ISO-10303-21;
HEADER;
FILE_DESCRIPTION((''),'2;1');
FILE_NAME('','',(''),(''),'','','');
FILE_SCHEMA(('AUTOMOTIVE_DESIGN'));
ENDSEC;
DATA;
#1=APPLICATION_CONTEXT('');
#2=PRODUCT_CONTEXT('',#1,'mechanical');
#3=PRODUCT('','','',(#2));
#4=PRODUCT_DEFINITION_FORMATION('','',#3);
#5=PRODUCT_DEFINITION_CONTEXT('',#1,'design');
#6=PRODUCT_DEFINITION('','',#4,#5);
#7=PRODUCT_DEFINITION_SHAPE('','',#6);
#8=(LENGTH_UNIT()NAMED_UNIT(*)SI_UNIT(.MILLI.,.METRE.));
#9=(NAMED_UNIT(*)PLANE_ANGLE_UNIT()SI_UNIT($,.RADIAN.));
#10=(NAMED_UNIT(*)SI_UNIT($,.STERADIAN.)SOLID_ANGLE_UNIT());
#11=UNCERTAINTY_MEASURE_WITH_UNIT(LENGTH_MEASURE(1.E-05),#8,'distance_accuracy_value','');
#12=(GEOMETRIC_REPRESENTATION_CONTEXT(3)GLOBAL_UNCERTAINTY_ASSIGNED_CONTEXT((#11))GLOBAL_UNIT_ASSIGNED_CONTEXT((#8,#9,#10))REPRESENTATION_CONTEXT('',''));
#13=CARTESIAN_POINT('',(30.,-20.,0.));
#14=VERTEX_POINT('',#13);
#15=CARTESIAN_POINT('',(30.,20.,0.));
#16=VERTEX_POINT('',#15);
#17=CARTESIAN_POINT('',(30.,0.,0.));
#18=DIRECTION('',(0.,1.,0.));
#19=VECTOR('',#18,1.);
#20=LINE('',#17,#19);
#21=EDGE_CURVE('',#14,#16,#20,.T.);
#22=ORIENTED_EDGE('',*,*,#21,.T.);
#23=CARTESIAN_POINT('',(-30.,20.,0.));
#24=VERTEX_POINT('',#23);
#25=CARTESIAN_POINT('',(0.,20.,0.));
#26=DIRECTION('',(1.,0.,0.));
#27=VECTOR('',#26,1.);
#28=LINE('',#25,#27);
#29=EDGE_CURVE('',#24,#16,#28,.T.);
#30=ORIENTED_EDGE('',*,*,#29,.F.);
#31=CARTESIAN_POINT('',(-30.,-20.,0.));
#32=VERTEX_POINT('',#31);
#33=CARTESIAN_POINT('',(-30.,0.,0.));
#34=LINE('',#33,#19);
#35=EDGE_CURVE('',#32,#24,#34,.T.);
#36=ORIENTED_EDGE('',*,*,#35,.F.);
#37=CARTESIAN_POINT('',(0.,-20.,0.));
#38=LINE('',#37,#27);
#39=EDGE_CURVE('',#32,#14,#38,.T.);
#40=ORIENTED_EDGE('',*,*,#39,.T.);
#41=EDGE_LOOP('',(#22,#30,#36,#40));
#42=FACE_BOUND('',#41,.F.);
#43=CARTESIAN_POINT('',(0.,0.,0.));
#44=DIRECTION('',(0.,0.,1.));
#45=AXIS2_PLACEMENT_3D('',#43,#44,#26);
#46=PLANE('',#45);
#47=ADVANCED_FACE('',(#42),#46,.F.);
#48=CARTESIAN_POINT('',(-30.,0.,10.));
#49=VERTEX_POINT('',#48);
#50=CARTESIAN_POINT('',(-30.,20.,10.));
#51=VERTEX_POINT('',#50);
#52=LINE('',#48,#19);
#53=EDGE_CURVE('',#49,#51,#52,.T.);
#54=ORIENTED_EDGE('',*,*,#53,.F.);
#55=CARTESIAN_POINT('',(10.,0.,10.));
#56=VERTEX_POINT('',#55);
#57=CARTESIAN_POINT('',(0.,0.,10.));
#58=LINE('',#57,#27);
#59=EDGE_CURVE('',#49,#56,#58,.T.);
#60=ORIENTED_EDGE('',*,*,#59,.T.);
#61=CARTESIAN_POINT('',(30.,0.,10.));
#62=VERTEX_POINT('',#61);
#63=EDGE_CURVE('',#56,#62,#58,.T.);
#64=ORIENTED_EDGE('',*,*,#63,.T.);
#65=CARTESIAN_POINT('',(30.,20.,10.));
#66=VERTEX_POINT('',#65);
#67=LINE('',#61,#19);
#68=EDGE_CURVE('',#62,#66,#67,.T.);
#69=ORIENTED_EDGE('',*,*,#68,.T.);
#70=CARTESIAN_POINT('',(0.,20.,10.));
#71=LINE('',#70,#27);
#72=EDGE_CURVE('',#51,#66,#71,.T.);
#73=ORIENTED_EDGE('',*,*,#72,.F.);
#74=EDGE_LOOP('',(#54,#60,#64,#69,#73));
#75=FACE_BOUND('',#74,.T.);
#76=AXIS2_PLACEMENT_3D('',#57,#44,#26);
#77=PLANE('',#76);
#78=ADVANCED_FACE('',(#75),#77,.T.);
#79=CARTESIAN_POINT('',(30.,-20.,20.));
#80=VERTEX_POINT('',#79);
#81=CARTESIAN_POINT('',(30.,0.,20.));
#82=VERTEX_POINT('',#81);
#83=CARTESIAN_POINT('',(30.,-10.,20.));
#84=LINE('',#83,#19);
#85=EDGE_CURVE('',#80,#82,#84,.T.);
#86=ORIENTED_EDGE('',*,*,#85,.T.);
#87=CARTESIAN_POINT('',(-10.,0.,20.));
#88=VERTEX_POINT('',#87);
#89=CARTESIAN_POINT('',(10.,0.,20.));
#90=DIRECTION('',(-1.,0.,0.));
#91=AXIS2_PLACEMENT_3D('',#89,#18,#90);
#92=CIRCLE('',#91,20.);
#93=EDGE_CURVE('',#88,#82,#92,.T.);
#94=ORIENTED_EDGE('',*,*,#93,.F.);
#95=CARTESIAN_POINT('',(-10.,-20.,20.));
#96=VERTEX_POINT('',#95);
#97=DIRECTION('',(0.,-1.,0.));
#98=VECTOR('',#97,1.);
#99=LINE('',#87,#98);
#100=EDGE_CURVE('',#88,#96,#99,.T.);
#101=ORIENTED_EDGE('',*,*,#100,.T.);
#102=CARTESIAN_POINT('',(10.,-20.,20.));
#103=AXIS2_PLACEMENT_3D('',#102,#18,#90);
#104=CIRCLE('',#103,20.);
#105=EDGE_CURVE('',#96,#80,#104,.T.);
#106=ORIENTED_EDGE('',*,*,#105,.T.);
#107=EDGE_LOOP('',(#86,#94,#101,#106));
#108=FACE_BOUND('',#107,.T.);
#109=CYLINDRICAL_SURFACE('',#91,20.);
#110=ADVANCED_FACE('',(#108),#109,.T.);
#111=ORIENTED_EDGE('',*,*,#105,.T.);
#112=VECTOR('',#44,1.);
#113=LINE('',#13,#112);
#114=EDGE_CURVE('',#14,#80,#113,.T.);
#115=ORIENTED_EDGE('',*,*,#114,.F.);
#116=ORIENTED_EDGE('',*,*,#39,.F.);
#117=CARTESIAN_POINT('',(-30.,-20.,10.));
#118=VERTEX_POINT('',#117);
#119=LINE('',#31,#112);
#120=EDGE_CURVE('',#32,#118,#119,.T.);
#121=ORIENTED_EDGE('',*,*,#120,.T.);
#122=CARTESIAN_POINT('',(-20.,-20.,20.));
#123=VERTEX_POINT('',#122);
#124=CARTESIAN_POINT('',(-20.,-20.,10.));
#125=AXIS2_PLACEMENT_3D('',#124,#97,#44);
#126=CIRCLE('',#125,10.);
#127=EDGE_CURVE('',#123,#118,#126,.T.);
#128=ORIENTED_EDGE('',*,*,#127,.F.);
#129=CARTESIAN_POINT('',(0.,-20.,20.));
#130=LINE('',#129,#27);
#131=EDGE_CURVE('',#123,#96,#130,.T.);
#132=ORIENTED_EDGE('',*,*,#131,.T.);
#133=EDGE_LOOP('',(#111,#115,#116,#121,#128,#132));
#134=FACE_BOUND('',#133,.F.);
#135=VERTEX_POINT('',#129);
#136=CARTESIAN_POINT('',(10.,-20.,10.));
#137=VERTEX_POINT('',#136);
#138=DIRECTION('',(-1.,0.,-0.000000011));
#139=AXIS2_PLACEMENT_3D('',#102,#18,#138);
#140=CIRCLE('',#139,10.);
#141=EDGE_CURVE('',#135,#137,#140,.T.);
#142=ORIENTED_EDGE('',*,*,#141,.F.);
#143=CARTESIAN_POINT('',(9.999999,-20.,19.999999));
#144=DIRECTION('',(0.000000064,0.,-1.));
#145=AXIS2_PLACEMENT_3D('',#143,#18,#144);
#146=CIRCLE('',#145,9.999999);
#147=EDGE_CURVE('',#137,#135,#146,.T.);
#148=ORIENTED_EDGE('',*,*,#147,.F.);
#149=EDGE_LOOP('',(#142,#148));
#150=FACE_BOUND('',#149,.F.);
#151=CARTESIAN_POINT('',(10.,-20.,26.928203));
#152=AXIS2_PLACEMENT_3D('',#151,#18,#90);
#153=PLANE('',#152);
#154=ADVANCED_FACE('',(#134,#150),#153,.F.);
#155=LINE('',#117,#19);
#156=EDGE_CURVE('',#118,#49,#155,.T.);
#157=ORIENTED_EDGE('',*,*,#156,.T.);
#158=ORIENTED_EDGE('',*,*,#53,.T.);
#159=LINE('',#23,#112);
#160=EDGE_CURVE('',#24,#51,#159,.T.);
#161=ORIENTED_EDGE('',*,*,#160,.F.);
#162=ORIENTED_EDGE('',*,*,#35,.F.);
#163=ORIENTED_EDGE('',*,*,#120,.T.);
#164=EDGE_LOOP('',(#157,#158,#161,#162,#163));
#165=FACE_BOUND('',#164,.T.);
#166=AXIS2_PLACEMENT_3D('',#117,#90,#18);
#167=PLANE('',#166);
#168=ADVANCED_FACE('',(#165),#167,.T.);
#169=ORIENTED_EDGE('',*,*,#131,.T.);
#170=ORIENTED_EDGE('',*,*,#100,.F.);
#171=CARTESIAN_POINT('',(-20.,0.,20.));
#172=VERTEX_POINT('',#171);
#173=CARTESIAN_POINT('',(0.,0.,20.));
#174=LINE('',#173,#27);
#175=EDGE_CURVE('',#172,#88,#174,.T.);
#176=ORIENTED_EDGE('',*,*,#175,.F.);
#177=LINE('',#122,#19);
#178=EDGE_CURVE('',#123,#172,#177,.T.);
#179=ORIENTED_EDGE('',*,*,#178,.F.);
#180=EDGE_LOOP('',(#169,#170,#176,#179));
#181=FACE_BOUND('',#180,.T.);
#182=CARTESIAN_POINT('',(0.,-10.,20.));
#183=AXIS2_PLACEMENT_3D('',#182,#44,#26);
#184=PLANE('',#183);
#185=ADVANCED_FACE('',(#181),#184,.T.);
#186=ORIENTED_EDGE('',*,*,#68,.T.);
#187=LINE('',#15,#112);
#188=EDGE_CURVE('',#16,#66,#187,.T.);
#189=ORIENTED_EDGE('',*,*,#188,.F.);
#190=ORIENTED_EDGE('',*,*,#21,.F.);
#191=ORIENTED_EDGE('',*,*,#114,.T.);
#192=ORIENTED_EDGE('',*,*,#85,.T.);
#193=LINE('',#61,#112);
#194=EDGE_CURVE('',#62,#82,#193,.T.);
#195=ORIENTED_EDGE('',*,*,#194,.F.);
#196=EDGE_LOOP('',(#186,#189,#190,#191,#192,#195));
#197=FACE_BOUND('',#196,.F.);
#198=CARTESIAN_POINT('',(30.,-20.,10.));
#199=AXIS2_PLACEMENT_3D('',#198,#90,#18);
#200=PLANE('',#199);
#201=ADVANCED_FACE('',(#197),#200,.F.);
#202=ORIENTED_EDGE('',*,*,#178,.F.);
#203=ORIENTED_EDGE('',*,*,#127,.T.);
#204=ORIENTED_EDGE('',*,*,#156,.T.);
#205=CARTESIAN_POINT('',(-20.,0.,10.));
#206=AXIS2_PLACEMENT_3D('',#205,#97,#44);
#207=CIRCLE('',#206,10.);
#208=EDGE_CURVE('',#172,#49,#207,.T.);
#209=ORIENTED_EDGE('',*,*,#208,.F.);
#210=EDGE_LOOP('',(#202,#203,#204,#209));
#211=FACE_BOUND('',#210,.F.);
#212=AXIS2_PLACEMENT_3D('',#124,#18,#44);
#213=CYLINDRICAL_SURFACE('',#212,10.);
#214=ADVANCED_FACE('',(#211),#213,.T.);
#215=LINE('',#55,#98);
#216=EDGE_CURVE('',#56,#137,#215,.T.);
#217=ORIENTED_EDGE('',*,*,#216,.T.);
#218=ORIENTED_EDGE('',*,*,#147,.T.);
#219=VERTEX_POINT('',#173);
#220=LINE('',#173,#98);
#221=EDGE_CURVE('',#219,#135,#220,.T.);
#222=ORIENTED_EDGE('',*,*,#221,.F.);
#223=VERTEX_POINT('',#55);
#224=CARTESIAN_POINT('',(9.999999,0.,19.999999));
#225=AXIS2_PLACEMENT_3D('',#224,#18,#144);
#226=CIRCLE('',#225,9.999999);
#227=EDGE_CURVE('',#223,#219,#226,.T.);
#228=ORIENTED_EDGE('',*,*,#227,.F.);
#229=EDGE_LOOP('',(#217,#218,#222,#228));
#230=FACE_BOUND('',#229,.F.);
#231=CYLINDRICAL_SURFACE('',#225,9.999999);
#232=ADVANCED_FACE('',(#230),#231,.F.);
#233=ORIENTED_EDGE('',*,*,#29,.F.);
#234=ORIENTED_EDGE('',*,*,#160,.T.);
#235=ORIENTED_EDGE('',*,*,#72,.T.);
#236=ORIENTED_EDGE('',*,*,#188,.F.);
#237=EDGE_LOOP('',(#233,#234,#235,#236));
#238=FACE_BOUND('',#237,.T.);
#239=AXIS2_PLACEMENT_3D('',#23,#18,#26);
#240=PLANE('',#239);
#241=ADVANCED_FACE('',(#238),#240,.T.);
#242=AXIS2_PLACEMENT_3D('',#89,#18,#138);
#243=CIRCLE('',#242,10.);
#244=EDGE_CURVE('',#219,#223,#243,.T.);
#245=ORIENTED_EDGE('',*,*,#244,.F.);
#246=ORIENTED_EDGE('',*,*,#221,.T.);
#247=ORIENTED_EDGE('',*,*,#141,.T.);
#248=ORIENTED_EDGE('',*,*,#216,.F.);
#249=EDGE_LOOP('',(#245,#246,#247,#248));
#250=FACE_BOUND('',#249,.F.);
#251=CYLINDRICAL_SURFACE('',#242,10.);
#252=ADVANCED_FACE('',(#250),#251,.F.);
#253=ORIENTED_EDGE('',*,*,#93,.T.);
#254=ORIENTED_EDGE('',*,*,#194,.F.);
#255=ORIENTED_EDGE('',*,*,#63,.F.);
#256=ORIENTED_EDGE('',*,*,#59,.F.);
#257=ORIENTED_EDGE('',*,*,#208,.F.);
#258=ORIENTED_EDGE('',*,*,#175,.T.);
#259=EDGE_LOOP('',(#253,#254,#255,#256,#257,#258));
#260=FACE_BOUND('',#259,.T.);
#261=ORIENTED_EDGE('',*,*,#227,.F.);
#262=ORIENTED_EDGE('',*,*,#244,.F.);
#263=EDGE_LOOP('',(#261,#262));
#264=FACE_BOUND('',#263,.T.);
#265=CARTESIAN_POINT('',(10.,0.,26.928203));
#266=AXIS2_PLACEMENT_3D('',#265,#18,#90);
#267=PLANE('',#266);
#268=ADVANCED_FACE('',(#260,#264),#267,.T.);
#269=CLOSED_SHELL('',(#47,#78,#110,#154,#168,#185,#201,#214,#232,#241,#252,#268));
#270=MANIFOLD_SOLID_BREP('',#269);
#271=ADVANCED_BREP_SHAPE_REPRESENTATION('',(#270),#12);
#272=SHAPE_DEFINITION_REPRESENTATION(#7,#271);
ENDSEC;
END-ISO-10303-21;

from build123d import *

# Parameters (mm, degrees)
F0_W     = 60
F0_H     = 40
F1_DEPTH = 10
F2_W     = 60
F2_H     = 20
F3_DEPTH = 10
F5_DEPTH = 20
F6_R     = 10
F8_DEPTH = 20


with BuildPart() as f1:
    # F0 (on Top) → F1 (new body)
    with BuildSketch(Plane.XY):
        Rectangle(F0_W, F0_H)
    extrude(amount=F1_DEPTH)

    # F2 (on face) → F3 (join)
    with BuildSketch(Plane.XY.offset(10)):
        with Locations((0, -10)):
            Rectangle(F2_W, F2_H)
    extrude(amount=F3_DEPTH)

    # F4 (on face) → F5 (join)
    with BuildSketch(Plane(origin=(0, 0, 0), x_dir=(-1, 0, 0), z_dir=(0, 1, 0))):
        with BuildLine():
            Line((-30, 20), (10, 20))
            ThreePointArc((10, 20), (-10, 40), (-30, 20))
        make_face()
    extrude(amount=-F5_DEPTH)

    # F6
    f6_edges = [f1.edges().sort_by_distance(p)[0] for p in [
        (-30, -10, 20),
    ]]
    fillet(f6_edges, radius=F6_R)

    # F7 (on face) → F8 (cut)
    with BuildSketch(Plane(origin=(0, 0, 0), x_dir=(-1, 0, 0), z_dir=(0, 1, 0))):
        with BuildLine():
            ThreePointArc((-10, 10), (-2.928932, 12.928932), (0, 20))
            ThreePointArc((0, 20), (-17.071068, 27.071068), (-10, 10))
        make_face()
    extrude(amount=-F8_DEPTH, mode=Mode.SUBTRACT)


solid = f1.part
